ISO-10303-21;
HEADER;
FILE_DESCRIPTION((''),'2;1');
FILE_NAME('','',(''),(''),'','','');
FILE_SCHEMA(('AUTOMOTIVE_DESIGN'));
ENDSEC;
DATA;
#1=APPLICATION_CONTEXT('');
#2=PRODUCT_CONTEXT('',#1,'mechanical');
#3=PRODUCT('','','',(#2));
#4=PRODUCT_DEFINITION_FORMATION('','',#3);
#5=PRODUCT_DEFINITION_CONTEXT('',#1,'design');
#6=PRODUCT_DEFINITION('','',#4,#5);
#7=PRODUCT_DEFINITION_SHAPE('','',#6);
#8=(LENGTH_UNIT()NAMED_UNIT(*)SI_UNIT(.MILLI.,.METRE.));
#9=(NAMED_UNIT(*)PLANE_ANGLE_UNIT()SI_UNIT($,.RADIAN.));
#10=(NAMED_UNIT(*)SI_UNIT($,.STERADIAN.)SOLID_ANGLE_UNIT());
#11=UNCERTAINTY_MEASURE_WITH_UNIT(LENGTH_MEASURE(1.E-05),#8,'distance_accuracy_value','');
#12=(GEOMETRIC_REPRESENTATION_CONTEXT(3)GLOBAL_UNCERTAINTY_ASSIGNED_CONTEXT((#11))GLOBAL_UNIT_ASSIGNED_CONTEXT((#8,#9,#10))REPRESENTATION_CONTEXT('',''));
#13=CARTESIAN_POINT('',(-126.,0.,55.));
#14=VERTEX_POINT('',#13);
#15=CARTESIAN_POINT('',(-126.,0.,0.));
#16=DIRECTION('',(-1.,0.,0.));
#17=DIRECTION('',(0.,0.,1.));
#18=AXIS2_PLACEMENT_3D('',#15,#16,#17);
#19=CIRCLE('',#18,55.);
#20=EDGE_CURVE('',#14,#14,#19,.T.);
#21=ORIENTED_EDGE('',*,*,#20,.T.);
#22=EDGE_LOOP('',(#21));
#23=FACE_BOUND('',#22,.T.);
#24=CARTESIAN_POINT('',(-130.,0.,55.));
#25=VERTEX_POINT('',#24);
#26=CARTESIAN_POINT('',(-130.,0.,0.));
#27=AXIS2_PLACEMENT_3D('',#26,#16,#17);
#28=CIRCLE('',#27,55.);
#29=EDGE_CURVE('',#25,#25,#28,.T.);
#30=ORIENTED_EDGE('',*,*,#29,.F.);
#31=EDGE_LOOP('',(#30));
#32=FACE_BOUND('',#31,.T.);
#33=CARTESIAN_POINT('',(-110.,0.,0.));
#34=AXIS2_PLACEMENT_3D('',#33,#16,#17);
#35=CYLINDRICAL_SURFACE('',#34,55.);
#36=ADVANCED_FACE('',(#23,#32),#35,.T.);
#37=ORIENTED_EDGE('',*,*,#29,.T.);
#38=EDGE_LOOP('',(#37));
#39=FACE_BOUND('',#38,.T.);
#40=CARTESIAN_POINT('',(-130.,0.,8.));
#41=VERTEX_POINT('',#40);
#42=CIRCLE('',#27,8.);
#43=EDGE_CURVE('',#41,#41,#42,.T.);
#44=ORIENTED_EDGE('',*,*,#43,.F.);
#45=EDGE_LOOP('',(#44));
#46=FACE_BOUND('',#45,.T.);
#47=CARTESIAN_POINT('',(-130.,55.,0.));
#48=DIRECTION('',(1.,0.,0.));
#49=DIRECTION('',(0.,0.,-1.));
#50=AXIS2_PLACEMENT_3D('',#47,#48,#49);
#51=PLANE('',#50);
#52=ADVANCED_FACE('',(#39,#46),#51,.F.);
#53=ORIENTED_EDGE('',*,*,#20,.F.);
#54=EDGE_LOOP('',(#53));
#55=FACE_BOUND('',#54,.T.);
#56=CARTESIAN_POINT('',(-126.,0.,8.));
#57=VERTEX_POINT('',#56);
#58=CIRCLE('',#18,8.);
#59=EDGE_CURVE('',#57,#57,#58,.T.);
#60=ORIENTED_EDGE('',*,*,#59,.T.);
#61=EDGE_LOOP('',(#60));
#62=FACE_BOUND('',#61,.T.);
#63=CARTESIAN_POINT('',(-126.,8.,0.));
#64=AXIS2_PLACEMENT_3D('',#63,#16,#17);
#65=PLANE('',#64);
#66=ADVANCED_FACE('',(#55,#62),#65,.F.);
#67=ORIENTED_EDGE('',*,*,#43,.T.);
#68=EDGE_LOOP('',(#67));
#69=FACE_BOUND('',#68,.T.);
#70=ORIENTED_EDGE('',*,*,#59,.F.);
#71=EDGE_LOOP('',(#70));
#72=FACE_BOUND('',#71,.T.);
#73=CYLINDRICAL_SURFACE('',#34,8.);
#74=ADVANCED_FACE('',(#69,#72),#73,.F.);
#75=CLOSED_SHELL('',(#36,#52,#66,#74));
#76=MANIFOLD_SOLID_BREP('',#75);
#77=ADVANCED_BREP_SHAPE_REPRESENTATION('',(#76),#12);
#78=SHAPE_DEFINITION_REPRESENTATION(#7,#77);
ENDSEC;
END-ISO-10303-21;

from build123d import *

# Parameters (mm, degrees)
AXIAL_PROFILE_MM_W = 4
AXIAL_PROFILE_MM_H = 47


with BuildPart() as part:
    # Axial profile (mm) → Full revolution (revolve)
    with BuildSketch(Plane.XY, mode=Mode.PRIVATE) as full_revolution_sk:
        with Locations((-128, 31.5)):
            Rectangle(AXIAL_PROFILE_MM_W, AXIAL_PROFILE_MM_H)
    revolve(full_revolution_sk.sketch.rotate(Axis((-110, 0, 0), (1, 0, 0)), 90), axis=Axis((-110, 0, 0), (1, 0, 0)))


solid = part.part
